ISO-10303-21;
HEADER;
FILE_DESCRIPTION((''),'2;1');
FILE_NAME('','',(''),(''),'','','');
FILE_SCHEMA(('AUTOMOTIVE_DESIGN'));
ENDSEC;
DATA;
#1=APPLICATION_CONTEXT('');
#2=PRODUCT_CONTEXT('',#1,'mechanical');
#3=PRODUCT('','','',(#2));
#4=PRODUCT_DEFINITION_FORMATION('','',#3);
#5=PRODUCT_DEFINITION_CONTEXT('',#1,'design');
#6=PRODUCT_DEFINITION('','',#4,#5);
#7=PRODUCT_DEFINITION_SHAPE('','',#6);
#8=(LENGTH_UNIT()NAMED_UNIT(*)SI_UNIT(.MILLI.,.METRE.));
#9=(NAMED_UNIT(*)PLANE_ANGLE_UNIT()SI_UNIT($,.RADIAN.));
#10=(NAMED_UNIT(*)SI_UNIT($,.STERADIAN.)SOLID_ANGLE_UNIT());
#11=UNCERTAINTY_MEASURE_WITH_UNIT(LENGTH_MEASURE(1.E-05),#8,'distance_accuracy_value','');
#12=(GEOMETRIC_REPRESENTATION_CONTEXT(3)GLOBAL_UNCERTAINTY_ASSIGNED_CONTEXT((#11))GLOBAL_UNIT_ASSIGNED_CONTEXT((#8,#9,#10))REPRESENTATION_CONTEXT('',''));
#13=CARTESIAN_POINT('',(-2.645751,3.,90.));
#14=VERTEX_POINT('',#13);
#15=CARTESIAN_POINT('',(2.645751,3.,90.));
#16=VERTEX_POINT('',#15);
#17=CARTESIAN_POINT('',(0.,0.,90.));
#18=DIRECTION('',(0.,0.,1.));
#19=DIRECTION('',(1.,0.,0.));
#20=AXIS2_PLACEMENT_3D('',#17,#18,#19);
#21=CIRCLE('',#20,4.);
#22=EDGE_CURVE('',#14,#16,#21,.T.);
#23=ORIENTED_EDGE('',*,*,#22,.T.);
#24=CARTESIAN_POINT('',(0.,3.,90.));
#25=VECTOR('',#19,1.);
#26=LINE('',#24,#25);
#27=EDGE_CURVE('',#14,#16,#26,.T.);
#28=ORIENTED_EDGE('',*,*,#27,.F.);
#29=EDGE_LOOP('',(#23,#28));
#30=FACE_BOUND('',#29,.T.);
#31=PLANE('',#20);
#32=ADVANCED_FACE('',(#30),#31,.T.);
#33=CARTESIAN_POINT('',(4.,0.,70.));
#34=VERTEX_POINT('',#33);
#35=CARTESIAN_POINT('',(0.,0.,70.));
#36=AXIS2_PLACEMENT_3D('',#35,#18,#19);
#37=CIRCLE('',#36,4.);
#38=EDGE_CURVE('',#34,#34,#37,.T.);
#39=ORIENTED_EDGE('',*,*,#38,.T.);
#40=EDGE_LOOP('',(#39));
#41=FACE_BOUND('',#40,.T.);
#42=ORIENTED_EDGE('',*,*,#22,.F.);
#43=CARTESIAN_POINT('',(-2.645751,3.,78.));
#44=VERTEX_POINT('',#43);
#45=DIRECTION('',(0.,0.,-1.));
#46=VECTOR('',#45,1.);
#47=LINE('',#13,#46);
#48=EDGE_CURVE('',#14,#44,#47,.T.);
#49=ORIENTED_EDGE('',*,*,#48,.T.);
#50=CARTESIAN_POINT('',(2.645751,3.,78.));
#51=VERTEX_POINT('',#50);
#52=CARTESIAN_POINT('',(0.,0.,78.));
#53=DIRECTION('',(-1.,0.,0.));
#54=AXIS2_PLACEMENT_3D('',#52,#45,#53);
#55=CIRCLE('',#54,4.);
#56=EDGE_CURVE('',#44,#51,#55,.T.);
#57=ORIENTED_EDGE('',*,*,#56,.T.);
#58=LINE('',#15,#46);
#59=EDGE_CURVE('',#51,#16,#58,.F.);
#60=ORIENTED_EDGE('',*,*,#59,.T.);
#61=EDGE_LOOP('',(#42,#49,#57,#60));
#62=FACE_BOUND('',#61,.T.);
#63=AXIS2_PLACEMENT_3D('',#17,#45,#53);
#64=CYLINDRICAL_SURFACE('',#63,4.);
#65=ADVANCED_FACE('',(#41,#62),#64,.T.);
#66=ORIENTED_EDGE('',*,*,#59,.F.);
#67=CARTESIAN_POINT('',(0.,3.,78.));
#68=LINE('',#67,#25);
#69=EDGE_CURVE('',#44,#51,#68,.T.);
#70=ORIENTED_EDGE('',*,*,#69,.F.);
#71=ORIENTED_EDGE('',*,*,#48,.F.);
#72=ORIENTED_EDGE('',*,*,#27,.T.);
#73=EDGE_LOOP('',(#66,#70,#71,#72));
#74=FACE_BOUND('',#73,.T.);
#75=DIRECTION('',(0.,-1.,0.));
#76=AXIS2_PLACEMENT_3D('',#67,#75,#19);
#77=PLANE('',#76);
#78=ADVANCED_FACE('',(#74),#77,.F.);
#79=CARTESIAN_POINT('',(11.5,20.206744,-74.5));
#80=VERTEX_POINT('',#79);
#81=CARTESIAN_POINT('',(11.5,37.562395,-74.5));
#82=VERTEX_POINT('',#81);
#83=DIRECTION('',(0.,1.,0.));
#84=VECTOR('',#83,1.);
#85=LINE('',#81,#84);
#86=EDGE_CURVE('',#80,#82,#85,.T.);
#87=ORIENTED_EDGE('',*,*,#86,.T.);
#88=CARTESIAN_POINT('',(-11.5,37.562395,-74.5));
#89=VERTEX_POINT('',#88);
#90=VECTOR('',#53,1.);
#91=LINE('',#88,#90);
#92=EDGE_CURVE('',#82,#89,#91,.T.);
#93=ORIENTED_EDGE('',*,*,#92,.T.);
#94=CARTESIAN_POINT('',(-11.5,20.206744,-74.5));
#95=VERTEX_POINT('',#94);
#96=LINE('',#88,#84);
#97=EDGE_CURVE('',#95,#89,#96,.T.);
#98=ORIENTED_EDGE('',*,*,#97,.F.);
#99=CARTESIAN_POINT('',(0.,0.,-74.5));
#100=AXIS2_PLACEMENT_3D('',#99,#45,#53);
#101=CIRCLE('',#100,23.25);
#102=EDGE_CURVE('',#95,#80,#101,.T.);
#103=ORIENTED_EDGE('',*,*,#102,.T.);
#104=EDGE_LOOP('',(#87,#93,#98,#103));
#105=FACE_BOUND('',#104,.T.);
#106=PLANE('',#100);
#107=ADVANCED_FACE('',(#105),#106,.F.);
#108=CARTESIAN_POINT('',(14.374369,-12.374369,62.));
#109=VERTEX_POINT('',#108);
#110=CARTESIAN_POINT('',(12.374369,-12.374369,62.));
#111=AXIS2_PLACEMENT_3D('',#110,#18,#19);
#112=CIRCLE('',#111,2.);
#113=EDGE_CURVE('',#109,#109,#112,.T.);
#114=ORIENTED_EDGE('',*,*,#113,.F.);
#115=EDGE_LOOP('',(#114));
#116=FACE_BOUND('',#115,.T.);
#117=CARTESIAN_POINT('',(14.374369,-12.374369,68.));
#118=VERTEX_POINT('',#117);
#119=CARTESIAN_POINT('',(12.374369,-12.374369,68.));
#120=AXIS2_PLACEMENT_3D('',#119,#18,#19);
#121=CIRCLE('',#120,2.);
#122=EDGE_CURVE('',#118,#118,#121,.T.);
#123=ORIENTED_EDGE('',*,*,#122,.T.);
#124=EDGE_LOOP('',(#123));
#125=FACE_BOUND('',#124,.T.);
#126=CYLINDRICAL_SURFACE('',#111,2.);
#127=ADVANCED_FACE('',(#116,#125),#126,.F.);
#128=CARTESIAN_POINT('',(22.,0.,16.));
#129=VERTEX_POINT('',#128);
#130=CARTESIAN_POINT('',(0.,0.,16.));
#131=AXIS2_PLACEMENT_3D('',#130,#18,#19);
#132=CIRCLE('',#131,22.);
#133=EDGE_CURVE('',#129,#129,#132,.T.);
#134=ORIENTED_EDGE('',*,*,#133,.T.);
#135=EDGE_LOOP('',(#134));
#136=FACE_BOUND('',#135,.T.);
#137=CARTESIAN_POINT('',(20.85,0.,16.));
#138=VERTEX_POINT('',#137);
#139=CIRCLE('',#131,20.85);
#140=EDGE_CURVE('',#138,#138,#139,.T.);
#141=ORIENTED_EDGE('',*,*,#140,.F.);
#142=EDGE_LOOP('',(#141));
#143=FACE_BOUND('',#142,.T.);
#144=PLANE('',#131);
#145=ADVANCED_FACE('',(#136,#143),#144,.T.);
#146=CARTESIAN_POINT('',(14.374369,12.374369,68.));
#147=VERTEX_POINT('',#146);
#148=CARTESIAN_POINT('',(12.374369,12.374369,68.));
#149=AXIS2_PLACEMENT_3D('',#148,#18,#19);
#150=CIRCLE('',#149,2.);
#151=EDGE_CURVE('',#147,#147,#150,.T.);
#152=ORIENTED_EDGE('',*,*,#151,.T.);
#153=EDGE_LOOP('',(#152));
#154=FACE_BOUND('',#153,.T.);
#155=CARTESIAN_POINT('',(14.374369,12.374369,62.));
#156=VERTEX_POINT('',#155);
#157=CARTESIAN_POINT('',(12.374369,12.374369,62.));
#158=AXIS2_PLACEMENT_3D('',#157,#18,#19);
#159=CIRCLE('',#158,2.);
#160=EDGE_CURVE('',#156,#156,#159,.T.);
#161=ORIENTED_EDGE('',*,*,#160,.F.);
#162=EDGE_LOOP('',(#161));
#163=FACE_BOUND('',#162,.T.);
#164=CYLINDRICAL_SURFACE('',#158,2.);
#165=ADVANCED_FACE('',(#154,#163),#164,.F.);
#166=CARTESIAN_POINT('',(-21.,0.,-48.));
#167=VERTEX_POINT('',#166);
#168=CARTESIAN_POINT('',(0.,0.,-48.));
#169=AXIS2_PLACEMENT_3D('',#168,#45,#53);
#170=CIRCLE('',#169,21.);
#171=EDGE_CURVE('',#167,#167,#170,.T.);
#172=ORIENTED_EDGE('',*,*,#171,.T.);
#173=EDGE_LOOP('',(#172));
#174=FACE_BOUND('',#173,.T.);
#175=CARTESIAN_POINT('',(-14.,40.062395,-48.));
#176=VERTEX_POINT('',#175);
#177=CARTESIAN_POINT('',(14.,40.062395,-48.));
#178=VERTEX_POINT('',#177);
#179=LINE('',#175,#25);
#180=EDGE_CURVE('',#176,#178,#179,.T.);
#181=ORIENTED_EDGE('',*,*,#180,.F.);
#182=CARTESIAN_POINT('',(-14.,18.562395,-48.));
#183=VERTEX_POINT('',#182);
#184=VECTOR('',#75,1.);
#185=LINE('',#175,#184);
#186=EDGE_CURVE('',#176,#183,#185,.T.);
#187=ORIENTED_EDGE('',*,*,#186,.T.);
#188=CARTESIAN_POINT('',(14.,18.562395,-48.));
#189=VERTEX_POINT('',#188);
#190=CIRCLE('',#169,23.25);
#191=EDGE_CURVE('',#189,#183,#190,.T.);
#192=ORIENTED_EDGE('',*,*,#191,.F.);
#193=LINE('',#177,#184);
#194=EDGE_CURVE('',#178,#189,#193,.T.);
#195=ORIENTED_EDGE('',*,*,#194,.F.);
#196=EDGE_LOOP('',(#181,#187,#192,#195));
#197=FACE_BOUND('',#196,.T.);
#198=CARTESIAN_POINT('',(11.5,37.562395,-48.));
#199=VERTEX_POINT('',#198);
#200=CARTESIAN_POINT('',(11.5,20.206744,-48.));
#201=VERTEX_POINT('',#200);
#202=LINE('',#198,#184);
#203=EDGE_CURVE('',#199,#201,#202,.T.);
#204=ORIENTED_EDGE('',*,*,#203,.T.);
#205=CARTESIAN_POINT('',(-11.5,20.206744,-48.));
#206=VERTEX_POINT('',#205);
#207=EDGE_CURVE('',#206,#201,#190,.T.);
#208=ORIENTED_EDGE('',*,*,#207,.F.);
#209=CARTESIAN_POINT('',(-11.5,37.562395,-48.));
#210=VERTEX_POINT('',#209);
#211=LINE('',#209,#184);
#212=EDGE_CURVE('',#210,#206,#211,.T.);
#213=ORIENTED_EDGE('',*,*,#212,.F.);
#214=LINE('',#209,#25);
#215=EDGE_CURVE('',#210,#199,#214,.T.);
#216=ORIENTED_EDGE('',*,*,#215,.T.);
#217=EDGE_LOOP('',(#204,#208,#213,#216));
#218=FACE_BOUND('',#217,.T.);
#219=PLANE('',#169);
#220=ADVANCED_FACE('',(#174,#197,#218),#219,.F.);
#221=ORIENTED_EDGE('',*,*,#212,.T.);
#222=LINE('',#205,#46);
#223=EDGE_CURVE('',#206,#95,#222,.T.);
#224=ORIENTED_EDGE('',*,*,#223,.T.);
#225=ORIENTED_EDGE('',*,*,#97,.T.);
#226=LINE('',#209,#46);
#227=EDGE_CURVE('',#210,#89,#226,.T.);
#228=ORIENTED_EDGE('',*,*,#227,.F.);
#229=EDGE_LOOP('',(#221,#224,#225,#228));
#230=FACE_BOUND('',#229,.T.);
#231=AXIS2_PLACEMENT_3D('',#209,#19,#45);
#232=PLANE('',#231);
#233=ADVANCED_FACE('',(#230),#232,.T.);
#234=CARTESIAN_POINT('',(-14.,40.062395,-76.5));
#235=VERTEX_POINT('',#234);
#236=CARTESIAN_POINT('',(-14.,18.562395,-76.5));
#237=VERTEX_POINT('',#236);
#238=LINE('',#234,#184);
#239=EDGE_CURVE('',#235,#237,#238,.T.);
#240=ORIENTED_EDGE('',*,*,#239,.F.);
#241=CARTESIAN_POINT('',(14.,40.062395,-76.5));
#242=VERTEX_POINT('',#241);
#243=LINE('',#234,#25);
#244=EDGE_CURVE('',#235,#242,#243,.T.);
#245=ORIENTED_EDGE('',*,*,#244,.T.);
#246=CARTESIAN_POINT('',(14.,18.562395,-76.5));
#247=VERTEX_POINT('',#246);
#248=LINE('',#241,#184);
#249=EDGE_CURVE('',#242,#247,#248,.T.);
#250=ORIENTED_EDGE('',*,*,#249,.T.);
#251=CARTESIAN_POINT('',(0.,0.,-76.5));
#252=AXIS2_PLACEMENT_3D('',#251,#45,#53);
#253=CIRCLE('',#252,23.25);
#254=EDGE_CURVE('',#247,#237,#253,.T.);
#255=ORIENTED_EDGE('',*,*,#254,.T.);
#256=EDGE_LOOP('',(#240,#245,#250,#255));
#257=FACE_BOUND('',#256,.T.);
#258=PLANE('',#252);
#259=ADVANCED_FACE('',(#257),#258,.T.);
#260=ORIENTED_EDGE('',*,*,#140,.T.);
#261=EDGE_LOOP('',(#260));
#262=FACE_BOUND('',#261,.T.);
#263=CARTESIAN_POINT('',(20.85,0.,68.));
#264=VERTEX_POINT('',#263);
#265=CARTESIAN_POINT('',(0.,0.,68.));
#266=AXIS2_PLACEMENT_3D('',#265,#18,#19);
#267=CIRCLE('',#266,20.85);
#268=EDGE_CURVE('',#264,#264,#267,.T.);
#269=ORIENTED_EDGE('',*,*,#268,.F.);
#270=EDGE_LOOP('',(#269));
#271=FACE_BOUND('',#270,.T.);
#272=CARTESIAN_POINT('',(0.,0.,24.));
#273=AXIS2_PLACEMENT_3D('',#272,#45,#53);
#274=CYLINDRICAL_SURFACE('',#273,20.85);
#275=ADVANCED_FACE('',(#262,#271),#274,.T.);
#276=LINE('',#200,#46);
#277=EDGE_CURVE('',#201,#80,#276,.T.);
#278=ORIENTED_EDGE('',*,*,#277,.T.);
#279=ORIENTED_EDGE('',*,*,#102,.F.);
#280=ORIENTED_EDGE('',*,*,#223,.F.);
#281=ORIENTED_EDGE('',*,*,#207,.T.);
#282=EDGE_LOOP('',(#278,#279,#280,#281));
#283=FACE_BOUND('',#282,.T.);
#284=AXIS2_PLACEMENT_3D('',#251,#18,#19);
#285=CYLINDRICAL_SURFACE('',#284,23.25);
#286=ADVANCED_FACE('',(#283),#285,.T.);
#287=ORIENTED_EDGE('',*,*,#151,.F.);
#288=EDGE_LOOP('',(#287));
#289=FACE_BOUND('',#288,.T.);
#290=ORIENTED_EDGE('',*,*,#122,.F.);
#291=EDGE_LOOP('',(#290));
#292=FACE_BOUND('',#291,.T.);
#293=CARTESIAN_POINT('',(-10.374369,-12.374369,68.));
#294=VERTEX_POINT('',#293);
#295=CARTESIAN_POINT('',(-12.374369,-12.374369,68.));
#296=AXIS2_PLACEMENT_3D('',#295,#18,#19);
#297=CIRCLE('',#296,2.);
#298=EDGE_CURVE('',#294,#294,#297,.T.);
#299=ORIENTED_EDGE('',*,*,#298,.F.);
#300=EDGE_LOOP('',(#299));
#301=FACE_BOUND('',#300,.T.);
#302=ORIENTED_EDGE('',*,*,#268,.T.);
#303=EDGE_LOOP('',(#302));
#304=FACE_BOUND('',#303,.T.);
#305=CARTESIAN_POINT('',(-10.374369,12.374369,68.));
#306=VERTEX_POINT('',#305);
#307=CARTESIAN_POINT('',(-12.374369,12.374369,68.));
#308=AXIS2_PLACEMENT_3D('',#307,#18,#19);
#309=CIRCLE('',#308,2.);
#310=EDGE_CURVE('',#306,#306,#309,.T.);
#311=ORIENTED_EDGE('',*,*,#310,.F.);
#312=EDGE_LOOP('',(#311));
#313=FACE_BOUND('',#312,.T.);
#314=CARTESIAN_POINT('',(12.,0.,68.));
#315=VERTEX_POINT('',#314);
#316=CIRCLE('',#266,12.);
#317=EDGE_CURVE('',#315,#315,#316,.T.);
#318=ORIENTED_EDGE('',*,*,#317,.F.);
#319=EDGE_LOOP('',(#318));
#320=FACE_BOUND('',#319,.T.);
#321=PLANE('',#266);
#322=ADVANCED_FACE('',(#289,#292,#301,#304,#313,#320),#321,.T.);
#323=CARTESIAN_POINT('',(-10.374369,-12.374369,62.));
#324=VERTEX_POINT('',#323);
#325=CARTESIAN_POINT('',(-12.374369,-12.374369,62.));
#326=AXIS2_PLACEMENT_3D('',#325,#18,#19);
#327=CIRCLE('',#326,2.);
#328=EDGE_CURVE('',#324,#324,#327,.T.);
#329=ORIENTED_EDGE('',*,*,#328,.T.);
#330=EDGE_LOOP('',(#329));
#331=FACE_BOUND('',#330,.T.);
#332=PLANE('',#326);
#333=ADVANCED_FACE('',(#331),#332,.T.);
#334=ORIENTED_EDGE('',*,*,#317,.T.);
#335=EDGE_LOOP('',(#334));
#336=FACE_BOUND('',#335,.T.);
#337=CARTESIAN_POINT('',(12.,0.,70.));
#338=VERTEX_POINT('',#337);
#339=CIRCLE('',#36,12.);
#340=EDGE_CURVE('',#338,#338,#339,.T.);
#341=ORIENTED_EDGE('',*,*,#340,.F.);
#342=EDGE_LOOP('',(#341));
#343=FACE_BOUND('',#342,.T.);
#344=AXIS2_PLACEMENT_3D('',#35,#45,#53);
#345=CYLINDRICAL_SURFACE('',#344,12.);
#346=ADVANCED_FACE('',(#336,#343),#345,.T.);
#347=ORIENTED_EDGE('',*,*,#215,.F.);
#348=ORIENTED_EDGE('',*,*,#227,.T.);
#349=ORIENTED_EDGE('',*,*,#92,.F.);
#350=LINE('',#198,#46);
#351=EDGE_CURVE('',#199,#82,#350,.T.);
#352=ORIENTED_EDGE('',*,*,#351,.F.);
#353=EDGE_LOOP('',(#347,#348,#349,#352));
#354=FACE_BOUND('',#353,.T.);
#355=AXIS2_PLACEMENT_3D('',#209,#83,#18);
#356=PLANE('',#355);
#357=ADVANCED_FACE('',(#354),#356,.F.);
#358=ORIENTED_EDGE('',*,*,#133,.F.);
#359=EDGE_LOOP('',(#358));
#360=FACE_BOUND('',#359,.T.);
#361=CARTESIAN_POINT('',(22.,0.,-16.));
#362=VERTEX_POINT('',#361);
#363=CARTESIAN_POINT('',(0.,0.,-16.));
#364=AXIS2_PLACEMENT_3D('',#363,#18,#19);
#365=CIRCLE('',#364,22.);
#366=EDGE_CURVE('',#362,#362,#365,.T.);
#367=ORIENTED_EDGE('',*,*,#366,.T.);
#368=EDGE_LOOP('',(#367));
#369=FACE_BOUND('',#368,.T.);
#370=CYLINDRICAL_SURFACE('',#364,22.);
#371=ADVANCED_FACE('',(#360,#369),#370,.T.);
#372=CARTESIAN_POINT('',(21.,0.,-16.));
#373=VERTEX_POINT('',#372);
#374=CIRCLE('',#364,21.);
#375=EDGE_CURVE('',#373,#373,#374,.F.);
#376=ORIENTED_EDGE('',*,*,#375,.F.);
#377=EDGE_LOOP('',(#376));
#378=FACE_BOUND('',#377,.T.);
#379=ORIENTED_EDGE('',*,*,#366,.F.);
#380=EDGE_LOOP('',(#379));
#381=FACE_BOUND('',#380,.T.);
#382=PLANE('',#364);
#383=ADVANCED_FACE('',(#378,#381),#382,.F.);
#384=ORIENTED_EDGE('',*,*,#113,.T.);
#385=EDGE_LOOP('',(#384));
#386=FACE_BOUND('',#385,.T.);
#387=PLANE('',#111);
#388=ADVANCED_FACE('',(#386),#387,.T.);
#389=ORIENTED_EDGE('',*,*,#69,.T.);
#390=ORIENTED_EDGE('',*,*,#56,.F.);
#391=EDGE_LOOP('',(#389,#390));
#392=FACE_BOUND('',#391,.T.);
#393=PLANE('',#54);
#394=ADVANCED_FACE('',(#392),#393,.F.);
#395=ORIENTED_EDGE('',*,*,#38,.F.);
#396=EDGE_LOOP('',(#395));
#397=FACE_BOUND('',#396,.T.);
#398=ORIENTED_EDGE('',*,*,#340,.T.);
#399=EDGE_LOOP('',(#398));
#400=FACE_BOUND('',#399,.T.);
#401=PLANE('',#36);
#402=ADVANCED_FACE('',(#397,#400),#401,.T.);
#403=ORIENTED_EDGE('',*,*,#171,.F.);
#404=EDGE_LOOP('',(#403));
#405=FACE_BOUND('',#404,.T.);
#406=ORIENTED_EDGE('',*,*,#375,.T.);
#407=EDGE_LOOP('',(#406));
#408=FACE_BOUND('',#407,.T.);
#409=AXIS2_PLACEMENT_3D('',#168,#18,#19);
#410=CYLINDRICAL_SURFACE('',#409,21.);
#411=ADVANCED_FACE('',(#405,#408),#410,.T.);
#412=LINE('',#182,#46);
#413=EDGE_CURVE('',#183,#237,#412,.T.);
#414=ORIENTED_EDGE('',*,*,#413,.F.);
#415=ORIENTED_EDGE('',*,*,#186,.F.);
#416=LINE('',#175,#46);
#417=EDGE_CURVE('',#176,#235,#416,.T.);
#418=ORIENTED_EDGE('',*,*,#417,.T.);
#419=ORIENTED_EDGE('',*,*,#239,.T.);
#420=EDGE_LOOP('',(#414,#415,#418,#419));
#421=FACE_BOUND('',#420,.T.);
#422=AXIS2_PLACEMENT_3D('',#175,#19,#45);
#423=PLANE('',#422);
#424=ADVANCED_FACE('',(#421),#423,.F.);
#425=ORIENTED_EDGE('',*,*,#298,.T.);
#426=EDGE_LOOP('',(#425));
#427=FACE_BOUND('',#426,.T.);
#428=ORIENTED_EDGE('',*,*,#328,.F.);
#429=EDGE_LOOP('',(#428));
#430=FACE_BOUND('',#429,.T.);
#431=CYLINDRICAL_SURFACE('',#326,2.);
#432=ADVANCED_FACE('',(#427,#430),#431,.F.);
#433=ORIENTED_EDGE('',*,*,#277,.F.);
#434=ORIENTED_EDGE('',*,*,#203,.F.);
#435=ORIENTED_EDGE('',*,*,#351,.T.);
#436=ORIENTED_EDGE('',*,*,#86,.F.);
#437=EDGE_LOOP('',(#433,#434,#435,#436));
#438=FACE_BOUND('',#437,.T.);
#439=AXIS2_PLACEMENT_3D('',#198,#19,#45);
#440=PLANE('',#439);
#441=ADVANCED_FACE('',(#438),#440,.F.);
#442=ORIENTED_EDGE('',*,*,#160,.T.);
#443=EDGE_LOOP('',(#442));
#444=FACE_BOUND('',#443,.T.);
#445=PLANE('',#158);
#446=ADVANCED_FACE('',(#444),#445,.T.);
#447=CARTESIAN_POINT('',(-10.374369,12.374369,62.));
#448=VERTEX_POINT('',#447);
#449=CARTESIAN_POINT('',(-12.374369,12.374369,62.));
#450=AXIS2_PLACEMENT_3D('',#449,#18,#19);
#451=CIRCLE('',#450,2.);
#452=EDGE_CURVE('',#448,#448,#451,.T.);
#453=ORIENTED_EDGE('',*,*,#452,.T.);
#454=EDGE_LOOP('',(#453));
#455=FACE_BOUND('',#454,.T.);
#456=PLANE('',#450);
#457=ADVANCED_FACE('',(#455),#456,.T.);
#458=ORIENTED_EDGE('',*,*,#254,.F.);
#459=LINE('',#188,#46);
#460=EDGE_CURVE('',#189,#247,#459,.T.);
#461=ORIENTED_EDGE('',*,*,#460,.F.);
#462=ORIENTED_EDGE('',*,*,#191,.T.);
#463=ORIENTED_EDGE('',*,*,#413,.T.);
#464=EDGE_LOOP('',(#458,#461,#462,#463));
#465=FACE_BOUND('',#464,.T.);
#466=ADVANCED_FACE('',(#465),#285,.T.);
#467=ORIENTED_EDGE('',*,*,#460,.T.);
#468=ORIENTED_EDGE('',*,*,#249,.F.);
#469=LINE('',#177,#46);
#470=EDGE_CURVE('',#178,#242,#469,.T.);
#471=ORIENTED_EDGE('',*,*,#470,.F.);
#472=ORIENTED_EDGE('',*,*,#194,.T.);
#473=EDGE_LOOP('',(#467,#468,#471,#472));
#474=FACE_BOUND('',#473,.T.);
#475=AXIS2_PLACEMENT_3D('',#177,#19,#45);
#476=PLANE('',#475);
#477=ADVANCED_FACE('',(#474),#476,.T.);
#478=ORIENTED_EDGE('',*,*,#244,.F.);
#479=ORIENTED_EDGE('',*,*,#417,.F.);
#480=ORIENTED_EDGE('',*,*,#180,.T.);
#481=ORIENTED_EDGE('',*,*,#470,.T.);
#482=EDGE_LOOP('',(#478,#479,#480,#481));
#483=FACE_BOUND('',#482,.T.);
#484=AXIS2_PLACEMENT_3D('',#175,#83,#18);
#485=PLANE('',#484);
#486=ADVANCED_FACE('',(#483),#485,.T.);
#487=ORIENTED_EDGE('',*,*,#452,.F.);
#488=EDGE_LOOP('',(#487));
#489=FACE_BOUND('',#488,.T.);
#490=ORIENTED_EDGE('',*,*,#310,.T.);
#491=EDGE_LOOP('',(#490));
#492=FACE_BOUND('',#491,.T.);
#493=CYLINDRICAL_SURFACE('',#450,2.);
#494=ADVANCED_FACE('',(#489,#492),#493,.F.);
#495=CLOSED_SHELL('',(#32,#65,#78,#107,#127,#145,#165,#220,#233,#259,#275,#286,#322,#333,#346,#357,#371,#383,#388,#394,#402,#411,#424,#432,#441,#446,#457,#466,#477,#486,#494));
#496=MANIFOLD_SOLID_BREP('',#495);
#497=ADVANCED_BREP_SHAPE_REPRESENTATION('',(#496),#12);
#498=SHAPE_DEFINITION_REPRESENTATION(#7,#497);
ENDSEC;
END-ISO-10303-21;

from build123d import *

# Parameters (mm, degrees)
BOSS_EXTRUDE1_DEPTH      = 16
BOSS_EXTRUDE1_DEPTH_BACK = 16
SKETCH1_R                = 22
SKETCH2_R                = 20.85
BOSS_EXTRUDE2_DEPTH      = 8
SKETCH3_R                = 20.85
BOSS_EXTRUDE3_DEPTH      = 44
SKETCH4_R                = 21
BOSS_EXTRUDE4_DEPTH      = 32
SKETCH5_R                = 23.25
BOSS_EXTRUDE5_DEPTH      = 28.5
BOSS_EXTRUDE6_START      = -28.5
BOSS_EXTRUDE6_DEPTH      = 28.5
SKETCH7_R                = 12
BOSS_EXTRUDE7_DEPTH      = 2
SKETCH8_R                = 2
CUT_EXTRUDE1_DEPTH       = 6
SKETCH9_W                = 24.120250452
SKETCH9_H                = 20.982117735
BOSS_EXTRUDE8_DEPTH      = 2
SKETCH10_R               = 4
BOSS_EXTRUDE9_DEPTH      = 20
CUT_EXTRUDE2_DEPTH       = 12


with BuildPart() as part:
    # Sketch1 → Boss-Extrude1 (new, two sides: drawn at the far end of the back side and taken through both)
    with BuildSketch(Plane.XY.offset(-BOSS_EXTRUDE1_DEPTH_BACK)):
        Circle(SKETCH1_R)
    extrude(amount=BOSS_EXTRUDE1_DEPTH + BOSS_EXTRUDE1_DEPTH_BACK)

    # Sketch2 → Boss-Extrude2 (add)
    with BuildSketch(Plane.XY.offset(16)):
        Circle(SKETCH2_R)
    extrude(amount=BOSS_EXTRUDE2_DEPTH)

    # Sketch3 → Boss-Extrude3 (add)
    with BuildSketch(Plane.XY.offset(24)):
        Circle(SKETCH3_R)
    extrude(amount=BOSS_EXTRUDE3_DEPTH)

    # Sketch4 → Boss-Extrude4 (add)
    with BuildSketch(Plane(origin=(0, 0, -16), x_dir=(-1, 0, 0), z_dir=(0, 0, -1))):
        Circle(SKETCH4_R)
    extrude(amount=BOSS_EXTRUDE4_DEPTH)

    # Sketch5 → Boss-Extrude5 (add)
    with BuildSketch(Plane(origin=(0, 0, -48), x_dir=(-1, 0, 0), z_dir=(0, 0, -1))):
        Circle(SKETCH5_R)
    extrude(amount=BOSS_EXTRUDE5_DEPTH)

    # Sketch6 → Boss-Extrude6 (add)
    with BuildSketch(Plane(origin=(0, 0, -76.5), x_dir=(-1, 0, 0), z_dir=(0, 0, -1)).offset(BOSS_EXTRUDE6_START)):
        with BuildLine():
            Line((14, 40.062394781), (-14, 40.062394781))
            Line((-14, 40.062394781), (-14, 18.562394781))
            ThreePointArc((-14, 18.562394781), (-12.776481168, 19.424830217), (-11.5, 20.206743924))
            Line((-11.5, 20.206743924), (-11.5, 37.562394781))
            Line((-11.5, 37.562394781), (11.5, 37.562394781))
            Line((11.5, 37.562394781), (11.5, 20.206743924))
            ThreePointArc((11.5, 20.206743924), (12.776481168, 19.424830217), (14, 18.562394781))
            Line((14, 18.562394781), (14, 40.062394781))
        make_face()
    extrude(amount=BOSS_EXTRUDE6_DEPTH)

    # Sketch7 → Boss-Extrude7 (add)
    with BuildSketch(Plane.XY.offset(68)):
        Circle(SKETCH7_R)
    extrude(amount=BOSS_EXTRUDE7_DEPTH)

    # Sketch8 → Cut-Extrude1 (cut)
    with BuildSketch(Plane.XY.offset(68)):
        with Locations((12.374368671, 12.374368671)):
            Circle(SKETCH8_R)
        with Locations((12.374368671, -12.374368671)):
            Circle(SKETCH8_R)
        with Locations((-12.374368671, -12.374368671)):
            Circle(SKETCH8_R)
        with Locations((-12.374368671, 12.374368671)):
            Circle(SKETCH8_R)
    extrude(amount=-CUT_EXTRUDE1_DEPTH, mode=Mode.SUBTRACT)

    # Sketch9 → Boss-Extrude8 (add)
    with BuildSketch(Plane(origin=(0, 0, -76.5), x_dir=(-1, 0, 0), z_dir=(0, 0, -1))):
        with Locations((0, 27.637719743)):
            Rectangle(SKETCH9_W, SKETCH9_H)
    extrude(amount=-BOSS_EXTRUDE8_DEPTH)

    # Sketch10 → Boss-Extrude9 (add)
    with BuildSketch(Plane.XY.offset(70)):
        Circle(SKETCH10_R)
    extrude(amount=BOSS_EXTRUDE9_DEPTH)

    # Sketch11 → Cut-Extrude2 (cut)
    with BuildSketch(Plane.XY.offset(90)):
        Polygon((0, 3), (-3.981730615, 3), (-3.981730615, 4.192756348), (4.050863087, 4.192756348), (4.050863087, 3), align=None)
    extrude(amount=-CUT_EXTRUDE2_DEPTH, mode=Mode.SUBTRACT)


solid = part.part
